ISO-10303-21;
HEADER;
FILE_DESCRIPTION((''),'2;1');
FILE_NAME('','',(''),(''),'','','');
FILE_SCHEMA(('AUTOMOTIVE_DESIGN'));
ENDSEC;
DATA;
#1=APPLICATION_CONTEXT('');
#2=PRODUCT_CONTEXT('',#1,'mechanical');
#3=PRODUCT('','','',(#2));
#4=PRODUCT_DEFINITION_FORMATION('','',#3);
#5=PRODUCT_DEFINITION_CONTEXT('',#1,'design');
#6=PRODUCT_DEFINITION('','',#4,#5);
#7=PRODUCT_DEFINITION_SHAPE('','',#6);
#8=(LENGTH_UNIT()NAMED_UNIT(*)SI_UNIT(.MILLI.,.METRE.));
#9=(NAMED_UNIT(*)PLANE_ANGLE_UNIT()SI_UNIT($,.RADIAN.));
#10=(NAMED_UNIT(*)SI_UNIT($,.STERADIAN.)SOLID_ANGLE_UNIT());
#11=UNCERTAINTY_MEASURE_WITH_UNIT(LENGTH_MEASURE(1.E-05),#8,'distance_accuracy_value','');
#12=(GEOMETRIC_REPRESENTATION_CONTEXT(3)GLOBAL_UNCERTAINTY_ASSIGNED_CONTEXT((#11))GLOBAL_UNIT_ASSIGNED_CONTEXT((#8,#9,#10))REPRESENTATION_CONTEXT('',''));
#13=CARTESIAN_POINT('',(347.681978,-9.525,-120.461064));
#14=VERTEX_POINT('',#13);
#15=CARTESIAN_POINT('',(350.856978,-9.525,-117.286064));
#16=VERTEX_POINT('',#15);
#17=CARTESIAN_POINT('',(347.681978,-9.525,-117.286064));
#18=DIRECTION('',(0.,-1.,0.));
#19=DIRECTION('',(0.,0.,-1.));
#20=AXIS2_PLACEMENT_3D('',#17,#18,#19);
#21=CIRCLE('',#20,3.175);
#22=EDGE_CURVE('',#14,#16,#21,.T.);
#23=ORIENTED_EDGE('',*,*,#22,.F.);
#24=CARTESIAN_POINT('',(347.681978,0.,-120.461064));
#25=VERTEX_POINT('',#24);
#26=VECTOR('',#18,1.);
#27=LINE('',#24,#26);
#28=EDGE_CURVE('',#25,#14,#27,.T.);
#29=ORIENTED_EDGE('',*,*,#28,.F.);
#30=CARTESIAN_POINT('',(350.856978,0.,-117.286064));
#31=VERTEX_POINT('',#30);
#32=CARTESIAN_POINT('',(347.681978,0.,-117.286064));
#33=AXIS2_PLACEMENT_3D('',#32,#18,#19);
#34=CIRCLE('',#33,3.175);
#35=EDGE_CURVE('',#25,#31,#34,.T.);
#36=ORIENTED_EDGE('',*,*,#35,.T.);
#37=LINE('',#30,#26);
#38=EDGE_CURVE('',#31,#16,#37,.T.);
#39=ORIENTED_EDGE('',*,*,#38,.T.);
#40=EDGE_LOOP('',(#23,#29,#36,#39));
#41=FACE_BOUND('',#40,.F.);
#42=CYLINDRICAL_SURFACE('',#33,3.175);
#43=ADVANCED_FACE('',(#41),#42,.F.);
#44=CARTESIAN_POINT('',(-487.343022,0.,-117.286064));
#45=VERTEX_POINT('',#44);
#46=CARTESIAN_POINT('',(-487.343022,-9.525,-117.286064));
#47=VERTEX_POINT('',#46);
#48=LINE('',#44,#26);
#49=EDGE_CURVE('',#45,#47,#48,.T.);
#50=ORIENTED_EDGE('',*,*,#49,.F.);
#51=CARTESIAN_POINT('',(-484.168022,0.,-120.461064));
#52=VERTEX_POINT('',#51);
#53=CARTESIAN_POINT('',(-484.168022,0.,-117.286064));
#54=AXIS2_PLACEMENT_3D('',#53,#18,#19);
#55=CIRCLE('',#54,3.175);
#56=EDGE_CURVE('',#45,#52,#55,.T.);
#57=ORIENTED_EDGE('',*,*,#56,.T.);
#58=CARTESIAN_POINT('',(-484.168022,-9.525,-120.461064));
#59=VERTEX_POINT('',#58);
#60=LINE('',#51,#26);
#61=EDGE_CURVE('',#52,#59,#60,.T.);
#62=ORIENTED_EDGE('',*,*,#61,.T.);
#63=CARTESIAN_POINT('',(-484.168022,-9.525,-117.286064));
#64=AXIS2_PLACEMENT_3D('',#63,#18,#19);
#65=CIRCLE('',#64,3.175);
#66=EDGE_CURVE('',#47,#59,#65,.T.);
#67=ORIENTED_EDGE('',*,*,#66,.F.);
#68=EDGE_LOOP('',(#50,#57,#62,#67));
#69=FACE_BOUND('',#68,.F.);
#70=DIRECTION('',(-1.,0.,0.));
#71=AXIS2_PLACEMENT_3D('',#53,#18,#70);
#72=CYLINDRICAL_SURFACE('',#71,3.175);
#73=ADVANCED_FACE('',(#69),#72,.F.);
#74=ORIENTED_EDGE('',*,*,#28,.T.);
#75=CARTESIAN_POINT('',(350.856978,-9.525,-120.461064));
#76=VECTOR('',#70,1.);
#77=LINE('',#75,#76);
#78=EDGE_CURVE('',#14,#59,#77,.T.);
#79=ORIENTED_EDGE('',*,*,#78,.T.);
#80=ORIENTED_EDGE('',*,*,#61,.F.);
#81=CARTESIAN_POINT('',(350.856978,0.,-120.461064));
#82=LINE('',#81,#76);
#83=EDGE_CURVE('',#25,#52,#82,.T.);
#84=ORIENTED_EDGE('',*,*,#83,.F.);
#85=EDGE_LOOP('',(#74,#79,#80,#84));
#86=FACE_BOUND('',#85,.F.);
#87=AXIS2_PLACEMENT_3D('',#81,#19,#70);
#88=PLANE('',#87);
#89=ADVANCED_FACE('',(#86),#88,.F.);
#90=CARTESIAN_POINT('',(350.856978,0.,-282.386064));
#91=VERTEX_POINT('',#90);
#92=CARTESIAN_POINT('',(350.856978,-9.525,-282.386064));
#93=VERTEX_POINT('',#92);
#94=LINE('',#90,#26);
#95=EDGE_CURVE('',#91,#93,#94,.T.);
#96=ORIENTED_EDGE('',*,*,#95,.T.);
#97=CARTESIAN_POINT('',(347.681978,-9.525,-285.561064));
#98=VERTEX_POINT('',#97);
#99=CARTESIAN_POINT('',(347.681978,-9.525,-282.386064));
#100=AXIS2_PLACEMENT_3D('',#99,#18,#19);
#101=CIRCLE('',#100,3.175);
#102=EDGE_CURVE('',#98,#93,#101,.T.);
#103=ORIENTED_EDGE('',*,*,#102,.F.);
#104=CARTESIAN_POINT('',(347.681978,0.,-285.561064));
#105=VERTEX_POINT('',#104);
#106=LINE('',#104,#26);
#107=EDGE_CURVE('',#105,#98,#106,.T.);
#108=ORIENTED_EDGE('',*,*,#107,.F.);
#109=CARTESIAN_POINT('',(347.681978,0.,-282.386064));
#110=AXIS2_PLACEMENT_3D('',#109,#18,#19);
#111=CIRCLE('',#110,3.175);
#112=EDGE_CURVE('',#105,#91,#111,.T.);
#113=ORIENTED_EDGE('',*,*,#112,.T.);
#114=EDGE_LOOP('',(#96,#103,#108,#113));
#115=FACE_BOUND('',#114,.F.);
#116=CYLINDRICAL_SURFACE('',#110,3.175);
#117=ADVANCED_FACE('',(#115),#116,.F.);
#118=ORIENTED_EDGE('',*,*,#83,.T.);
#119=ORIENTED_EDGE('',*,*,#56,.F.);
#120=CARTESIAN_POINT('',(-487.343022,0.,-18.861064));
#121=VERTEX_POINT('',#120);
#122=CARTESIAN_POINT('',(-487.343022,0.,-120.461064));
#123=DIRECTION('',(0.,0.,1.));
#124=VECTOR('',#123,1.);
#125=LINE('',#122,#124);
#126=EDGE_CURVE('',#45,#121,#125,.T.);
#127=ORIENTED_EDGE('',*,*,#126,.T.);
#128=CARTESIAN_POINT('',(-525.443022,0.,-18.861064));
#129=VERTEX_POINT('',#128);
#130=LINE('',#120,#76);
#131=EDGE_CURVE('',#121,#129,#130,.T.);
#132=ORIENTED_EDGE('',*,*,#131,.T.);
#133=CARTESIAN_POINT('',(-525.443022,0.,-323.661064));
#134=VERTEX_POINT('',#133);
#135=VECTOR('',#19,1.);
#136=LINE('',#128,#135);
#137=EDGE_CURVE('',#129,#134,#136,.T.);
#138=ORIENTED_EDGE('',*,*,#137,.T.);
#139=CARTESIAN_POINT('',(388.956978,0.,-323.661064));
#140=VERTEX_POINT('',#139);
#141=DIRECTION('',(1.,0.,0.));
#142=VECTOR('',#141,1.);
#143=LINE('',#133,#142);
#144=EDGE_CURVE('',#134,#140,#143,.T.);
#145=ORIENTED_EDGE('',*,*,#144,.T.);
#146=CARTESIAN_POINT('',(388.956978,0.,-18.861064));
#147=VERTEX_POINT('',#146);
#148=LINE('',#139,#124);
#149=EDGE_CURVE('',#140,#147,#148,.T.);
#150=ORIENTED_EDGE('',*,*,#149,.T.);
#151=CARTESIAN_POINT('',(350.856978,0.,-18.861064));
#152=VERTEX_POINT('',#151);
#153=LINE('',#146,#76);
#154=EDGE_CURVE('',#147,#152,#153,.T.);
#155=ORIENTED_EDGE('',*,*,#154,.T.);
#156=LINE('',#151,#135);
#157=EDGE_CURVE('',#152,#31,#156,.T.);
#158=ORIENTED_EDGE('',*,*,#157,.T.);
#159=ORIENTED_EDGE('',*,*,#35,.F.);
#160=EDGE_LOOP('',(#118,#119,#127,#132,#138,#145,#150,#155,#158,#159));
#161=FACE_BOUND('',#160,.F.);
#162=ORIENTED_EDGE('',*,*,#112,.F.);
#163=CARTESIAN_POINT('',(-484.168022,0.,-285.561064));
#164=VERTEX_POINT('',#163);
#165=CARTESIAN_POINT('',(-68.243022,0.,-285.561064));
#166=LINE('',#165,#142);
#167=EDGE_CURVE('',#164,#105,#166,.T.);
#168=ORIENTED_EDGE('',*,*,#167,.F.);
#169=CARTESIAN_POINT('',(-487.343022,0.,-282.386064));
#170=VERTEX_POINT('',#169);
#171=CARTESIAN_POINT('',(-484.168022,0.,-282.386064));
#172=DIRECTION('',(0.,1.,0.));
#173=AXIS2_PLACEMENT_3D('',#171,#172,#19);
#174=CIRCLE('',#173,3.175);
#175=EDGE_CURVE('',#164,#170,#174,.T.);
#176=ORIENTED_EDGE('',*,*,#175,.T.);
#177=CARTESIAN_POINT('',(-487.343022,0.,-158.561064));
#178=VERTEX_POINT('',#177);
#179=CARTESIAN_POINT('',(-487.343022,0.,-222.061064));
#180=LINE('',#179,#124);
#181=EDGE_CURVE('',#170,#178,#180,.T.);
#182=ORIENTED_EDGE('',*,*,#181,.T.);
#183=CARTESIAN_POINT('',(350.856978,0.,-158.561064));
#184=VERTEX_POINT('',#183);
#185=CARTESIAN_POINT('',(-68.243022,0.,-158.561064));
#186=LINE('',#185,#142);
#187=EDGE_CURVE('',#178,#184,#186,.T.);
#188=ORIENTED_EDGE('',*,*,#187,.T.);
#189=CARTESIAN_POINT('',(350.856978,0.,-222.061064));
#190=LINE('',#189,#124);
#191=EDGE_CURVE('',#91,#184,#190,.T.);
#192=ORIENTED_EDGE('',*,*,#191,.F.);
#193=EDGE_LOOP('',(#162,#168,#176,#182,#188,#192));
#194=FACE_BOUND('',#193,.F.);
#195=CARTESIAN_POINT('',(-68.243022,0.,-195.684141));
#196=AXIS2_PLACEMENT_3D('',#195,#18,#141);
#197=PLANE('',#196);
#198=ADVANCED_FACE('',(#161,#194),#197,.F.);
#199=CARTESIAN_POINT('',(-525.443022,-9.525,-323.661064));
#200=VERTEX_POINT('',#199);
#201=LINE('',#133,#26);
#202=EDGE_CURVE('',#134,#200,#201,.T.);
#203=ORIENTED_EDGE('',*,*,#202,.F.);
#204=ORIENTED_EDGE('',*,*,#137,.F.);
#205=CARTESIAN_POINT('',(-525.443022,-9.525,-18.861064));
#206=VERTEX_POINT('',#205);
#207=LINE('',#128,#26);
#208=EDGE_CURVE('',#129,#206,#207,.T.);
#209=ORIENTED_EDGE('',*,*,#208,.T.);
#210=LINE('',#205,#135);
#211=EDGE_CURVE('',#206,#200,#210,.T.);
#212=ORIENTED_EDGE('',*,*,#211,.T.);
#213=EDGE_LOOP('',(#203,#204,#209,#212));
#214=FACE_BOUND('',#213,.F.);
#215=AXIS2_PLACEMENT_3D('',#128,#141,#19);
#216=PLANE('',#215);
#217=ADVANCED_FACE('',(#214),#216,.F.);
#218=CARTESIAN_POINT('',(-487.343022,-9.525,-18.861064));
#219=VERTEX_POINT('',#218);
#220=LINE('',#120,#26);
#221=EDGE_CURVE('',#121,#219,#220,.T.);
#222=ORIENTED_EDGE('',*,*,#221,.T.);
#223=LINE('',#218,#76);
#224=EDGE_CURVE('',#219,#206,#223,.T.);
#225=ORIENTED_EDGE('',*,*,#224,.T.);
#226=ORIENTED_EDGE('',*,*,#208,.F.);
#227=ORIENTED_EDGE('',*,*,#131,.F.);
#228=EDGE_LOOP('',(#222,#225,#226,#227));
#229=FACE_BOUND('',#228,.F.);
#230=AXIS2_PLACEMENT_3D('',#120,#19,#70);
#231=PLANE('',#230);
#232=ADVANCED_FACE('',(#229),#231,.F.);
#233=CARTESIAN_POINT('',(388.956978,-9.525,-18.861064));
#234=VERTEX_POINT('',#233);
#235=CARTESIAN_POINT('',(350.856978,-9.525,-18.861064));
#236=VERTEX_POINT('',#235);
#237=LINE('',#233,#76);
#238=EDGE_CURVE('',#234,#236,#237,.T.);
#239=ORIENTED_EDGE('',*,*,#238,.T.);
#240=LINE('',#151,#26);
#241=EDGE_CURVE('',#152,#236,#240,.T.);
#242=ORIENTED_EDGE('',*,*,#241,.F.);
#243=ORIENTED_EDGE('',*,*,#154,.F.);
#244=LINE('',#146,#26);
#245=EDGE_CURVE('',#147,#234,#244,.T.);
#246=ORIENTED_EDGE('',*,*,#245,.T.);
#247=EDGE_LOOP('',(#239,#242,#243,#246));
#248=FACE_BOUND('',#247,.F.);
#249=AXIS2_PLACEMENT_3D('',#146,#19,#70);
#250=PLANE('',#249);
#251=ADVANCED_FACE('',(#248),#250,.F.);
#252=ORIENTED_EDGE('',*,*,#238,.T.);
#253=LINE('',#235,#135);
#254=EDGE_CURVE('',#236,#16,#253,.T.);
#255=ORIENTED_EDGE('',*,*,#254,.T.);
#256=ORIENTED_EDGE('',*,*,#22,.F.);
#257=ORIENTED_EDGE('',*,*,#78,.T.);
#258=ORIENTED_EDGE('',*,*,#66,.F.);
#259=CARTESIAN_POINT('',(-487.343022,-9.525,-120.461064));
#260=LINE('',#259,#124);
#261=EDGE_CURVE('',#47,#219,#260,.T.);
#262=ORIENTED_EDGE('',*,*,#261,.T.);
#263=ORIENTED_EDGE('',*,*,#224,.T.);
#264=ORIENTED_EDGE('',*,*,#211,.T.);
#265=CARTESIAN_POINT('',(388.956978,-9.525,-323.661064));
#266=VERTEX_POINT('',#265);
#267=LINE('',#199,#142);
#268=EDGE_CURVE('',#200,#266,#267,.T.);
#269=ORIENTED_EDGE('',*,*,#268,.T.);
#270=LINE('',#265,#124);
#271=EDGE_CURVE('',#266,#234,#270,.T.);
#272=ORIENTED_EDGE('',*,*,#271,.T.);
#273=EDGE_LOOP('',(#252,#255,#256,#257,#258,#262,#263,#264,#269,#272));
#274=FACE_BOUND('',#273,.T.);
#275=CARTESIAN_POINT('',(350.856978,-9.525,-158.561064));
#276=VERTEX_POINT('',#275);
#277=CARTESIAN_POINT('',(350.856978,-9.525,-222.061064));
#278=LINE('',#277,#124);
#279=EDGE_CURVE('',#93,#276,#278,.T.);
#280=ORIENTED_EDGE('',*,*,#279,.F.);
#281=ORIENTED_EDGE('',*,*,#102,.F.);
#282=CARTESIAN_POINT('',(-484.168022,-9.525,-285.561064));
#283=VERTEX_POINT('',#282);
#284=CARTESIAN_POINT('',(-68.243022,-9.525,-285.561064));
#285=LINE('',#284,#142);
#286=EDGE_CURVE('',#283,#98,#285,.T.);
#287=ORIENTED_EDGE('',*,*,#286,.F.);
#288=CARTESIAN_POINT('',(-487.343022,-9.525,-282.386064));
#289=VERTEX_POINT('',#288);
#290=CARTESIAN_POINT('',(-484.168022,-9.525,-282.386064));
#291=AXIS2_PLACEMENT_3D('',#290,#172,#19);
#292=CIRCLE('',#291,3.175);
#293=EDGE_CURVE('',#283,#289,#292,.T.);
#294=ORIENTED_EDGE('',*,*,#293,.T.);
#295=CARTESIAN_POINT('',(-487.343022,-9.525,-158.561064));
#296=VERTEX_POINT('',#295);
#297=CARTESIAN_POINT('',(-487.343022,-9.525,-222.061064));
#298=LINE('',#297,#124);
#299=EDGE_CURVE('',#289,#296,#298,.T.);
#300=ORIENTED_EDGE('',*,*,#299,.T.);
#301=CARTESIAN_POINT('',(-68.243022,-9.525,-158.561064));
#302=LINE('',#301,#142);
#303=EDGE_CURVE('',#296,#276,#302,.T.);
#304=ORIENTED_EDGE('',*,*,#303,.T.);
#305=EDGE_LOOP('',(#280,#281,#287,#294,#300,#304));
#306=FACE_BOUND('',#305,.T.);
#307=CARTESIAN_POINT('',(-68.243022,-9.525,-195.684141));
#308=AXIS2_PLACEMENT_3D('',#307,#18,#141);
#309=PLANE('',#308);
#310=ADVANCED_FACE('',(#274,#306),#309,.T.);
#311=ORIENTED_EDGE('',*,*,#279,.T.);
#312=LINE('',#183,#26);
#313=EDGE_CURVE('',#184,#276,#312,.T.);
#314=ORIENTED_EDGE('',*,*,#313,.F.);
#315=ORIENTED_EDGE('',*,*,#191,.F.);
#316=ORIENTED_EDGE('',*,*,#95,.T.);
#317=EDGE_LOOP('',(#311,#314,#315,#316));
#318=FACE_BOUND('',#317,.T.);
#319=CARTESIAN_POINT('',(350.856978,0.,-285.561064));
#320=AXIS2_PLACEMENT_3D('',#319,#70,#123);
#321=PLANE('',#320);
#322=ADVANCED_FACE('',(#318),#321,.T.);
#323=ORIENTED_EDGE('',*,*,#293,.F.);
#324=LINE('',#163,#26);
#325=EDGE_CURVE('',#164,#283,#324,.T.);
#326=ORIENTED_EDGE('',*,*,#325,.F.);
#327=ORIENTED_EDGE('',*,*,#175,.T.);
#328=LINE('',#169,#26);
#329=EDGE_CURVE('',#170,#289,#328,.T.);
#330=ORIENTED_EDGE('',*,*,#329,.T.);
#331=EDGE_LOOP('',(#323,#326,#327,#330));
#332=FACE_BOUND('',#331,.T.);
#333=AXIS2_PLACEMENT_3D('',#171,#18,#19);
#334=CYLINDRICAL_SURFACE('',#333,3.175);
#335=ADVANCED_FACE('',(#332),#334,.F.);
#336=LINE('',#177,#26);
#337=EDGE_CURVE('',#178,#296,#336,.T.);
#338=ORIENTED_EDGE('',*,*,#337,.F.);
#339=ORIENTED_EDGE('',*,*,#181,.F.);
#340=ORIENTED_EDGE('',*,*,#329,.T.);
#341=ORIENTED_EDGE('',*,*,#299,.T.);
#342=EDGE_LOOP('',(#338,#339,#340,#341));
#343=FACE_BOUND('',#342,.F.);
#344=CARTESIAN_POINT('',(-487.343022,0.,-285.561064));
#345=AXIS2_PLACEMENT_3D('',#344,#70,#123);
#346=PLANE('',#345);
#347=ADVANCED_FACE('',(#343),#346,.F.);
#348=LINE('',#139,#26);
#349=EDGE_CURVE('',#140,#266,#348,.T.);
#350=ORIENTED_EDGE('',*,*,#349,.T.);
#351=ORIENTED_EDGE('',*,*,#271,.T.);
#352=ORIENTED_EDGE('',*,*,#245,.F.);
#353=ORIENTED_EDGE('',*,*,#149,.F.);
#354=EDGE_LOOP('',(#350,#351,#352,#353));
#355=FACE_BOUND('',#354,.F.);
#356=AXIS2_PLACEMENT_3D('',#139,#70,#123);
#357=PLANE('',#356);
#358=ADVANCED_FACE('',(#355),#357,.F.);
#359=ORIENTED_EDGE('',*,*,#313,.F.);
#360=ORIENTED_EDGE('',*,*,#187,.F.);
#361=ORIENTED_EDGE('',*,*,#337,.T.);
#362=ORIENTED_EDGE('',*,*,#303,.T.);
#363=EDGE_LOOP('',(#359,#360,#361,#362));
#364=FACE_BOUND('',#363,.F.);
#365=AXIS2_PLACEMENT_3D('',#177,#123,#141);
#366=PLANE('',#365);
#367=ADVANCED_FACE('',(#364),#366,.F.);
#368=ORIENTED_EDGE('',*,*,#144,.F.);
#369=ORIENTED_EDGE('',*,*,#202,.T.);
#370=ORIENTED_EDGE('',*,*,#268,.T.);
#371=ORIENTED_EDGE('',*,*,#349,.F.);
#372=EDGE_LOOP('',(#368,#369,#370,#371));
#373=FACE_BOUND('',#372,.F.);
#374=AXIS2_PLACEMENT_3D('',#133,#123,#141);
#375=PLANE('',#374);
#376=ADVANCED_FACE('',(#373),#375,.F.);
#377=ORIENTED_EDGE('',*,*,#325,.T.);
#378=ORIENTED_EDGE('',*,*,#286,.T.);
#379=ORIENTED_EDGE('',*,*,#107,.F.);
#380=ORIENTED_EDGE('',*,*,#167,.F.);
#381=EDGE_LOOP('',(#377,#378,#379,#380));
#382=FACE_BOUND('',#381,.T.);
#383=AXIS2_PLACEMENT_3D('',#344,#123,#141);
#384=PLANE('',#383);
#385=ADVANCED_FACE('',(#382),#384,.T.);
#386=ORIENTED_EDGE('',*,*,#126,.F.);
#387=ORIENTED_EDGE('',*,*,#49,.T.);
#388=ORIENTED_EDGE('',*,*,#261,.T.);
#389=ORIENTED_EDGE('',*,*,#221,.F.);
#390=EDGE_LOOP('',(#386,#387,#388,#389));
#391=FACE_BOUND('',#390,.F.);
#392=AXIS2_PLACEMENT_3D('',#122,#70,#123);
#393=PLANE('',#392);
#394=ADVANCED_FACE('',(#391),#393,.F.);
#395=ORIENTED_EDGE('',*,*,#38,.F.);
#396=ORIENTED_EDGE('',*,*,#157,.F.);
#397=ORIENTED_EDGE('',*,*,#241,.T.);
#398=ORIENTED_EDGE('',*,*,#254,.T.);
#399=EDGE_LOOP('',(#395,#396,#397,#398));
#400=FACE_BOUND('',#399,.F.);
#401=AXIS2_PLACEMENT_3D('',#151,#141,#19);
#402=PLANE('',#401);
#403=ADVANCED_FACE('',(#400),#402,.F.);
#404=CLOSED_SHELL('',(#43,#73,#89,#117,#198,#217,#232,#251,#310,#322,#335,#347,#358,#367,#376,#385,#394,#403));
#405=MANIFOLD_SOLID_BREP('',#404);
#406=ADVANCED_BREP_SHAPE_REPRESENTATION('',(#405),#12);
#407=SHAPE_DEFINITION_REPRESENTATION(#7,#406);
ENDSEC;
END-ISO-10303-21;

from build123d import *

# Parameters (mm, degrees)
F0_W     = 838.2
F0_H     = 127
F1_DEPTH = 9.525
F2_R     = 3.175


with BuildPart() as f1:
    # F0 (on Front) → F1 (new body)
    with BuildSketch(Plane.XZ):
        Polygon((-487.343022, -18.861064), (-525.443022, -18.861064), (-525.443022, -323.661064), (388.956978, -323.661064), (388.956978, -18.861064), (350.856978, -18.861064), (350.856978, -120.461064), (-487.343022, -120.461064), align=None)
        with Locations((-68.243022, -222.061064)):
            Rectangle(F0_W, F0_H, mode=Mode.SUBTRACT)
    extrude(amount=F1_DEPTH)

    # F2
    f2_edges = [f1.edges().sort_by_distance(p)[0] for p in [
        (-487.343022, -4.7625, -285.561064),
        (350.856978, -4.7625, -285.561064),
        (350.856978, -4.7625, -120.461064),
        (-487.343022, -4.7625, -120.461064),
    ]]
    fillet(f2_edges, radius=F2_R)


solid = f1.part
